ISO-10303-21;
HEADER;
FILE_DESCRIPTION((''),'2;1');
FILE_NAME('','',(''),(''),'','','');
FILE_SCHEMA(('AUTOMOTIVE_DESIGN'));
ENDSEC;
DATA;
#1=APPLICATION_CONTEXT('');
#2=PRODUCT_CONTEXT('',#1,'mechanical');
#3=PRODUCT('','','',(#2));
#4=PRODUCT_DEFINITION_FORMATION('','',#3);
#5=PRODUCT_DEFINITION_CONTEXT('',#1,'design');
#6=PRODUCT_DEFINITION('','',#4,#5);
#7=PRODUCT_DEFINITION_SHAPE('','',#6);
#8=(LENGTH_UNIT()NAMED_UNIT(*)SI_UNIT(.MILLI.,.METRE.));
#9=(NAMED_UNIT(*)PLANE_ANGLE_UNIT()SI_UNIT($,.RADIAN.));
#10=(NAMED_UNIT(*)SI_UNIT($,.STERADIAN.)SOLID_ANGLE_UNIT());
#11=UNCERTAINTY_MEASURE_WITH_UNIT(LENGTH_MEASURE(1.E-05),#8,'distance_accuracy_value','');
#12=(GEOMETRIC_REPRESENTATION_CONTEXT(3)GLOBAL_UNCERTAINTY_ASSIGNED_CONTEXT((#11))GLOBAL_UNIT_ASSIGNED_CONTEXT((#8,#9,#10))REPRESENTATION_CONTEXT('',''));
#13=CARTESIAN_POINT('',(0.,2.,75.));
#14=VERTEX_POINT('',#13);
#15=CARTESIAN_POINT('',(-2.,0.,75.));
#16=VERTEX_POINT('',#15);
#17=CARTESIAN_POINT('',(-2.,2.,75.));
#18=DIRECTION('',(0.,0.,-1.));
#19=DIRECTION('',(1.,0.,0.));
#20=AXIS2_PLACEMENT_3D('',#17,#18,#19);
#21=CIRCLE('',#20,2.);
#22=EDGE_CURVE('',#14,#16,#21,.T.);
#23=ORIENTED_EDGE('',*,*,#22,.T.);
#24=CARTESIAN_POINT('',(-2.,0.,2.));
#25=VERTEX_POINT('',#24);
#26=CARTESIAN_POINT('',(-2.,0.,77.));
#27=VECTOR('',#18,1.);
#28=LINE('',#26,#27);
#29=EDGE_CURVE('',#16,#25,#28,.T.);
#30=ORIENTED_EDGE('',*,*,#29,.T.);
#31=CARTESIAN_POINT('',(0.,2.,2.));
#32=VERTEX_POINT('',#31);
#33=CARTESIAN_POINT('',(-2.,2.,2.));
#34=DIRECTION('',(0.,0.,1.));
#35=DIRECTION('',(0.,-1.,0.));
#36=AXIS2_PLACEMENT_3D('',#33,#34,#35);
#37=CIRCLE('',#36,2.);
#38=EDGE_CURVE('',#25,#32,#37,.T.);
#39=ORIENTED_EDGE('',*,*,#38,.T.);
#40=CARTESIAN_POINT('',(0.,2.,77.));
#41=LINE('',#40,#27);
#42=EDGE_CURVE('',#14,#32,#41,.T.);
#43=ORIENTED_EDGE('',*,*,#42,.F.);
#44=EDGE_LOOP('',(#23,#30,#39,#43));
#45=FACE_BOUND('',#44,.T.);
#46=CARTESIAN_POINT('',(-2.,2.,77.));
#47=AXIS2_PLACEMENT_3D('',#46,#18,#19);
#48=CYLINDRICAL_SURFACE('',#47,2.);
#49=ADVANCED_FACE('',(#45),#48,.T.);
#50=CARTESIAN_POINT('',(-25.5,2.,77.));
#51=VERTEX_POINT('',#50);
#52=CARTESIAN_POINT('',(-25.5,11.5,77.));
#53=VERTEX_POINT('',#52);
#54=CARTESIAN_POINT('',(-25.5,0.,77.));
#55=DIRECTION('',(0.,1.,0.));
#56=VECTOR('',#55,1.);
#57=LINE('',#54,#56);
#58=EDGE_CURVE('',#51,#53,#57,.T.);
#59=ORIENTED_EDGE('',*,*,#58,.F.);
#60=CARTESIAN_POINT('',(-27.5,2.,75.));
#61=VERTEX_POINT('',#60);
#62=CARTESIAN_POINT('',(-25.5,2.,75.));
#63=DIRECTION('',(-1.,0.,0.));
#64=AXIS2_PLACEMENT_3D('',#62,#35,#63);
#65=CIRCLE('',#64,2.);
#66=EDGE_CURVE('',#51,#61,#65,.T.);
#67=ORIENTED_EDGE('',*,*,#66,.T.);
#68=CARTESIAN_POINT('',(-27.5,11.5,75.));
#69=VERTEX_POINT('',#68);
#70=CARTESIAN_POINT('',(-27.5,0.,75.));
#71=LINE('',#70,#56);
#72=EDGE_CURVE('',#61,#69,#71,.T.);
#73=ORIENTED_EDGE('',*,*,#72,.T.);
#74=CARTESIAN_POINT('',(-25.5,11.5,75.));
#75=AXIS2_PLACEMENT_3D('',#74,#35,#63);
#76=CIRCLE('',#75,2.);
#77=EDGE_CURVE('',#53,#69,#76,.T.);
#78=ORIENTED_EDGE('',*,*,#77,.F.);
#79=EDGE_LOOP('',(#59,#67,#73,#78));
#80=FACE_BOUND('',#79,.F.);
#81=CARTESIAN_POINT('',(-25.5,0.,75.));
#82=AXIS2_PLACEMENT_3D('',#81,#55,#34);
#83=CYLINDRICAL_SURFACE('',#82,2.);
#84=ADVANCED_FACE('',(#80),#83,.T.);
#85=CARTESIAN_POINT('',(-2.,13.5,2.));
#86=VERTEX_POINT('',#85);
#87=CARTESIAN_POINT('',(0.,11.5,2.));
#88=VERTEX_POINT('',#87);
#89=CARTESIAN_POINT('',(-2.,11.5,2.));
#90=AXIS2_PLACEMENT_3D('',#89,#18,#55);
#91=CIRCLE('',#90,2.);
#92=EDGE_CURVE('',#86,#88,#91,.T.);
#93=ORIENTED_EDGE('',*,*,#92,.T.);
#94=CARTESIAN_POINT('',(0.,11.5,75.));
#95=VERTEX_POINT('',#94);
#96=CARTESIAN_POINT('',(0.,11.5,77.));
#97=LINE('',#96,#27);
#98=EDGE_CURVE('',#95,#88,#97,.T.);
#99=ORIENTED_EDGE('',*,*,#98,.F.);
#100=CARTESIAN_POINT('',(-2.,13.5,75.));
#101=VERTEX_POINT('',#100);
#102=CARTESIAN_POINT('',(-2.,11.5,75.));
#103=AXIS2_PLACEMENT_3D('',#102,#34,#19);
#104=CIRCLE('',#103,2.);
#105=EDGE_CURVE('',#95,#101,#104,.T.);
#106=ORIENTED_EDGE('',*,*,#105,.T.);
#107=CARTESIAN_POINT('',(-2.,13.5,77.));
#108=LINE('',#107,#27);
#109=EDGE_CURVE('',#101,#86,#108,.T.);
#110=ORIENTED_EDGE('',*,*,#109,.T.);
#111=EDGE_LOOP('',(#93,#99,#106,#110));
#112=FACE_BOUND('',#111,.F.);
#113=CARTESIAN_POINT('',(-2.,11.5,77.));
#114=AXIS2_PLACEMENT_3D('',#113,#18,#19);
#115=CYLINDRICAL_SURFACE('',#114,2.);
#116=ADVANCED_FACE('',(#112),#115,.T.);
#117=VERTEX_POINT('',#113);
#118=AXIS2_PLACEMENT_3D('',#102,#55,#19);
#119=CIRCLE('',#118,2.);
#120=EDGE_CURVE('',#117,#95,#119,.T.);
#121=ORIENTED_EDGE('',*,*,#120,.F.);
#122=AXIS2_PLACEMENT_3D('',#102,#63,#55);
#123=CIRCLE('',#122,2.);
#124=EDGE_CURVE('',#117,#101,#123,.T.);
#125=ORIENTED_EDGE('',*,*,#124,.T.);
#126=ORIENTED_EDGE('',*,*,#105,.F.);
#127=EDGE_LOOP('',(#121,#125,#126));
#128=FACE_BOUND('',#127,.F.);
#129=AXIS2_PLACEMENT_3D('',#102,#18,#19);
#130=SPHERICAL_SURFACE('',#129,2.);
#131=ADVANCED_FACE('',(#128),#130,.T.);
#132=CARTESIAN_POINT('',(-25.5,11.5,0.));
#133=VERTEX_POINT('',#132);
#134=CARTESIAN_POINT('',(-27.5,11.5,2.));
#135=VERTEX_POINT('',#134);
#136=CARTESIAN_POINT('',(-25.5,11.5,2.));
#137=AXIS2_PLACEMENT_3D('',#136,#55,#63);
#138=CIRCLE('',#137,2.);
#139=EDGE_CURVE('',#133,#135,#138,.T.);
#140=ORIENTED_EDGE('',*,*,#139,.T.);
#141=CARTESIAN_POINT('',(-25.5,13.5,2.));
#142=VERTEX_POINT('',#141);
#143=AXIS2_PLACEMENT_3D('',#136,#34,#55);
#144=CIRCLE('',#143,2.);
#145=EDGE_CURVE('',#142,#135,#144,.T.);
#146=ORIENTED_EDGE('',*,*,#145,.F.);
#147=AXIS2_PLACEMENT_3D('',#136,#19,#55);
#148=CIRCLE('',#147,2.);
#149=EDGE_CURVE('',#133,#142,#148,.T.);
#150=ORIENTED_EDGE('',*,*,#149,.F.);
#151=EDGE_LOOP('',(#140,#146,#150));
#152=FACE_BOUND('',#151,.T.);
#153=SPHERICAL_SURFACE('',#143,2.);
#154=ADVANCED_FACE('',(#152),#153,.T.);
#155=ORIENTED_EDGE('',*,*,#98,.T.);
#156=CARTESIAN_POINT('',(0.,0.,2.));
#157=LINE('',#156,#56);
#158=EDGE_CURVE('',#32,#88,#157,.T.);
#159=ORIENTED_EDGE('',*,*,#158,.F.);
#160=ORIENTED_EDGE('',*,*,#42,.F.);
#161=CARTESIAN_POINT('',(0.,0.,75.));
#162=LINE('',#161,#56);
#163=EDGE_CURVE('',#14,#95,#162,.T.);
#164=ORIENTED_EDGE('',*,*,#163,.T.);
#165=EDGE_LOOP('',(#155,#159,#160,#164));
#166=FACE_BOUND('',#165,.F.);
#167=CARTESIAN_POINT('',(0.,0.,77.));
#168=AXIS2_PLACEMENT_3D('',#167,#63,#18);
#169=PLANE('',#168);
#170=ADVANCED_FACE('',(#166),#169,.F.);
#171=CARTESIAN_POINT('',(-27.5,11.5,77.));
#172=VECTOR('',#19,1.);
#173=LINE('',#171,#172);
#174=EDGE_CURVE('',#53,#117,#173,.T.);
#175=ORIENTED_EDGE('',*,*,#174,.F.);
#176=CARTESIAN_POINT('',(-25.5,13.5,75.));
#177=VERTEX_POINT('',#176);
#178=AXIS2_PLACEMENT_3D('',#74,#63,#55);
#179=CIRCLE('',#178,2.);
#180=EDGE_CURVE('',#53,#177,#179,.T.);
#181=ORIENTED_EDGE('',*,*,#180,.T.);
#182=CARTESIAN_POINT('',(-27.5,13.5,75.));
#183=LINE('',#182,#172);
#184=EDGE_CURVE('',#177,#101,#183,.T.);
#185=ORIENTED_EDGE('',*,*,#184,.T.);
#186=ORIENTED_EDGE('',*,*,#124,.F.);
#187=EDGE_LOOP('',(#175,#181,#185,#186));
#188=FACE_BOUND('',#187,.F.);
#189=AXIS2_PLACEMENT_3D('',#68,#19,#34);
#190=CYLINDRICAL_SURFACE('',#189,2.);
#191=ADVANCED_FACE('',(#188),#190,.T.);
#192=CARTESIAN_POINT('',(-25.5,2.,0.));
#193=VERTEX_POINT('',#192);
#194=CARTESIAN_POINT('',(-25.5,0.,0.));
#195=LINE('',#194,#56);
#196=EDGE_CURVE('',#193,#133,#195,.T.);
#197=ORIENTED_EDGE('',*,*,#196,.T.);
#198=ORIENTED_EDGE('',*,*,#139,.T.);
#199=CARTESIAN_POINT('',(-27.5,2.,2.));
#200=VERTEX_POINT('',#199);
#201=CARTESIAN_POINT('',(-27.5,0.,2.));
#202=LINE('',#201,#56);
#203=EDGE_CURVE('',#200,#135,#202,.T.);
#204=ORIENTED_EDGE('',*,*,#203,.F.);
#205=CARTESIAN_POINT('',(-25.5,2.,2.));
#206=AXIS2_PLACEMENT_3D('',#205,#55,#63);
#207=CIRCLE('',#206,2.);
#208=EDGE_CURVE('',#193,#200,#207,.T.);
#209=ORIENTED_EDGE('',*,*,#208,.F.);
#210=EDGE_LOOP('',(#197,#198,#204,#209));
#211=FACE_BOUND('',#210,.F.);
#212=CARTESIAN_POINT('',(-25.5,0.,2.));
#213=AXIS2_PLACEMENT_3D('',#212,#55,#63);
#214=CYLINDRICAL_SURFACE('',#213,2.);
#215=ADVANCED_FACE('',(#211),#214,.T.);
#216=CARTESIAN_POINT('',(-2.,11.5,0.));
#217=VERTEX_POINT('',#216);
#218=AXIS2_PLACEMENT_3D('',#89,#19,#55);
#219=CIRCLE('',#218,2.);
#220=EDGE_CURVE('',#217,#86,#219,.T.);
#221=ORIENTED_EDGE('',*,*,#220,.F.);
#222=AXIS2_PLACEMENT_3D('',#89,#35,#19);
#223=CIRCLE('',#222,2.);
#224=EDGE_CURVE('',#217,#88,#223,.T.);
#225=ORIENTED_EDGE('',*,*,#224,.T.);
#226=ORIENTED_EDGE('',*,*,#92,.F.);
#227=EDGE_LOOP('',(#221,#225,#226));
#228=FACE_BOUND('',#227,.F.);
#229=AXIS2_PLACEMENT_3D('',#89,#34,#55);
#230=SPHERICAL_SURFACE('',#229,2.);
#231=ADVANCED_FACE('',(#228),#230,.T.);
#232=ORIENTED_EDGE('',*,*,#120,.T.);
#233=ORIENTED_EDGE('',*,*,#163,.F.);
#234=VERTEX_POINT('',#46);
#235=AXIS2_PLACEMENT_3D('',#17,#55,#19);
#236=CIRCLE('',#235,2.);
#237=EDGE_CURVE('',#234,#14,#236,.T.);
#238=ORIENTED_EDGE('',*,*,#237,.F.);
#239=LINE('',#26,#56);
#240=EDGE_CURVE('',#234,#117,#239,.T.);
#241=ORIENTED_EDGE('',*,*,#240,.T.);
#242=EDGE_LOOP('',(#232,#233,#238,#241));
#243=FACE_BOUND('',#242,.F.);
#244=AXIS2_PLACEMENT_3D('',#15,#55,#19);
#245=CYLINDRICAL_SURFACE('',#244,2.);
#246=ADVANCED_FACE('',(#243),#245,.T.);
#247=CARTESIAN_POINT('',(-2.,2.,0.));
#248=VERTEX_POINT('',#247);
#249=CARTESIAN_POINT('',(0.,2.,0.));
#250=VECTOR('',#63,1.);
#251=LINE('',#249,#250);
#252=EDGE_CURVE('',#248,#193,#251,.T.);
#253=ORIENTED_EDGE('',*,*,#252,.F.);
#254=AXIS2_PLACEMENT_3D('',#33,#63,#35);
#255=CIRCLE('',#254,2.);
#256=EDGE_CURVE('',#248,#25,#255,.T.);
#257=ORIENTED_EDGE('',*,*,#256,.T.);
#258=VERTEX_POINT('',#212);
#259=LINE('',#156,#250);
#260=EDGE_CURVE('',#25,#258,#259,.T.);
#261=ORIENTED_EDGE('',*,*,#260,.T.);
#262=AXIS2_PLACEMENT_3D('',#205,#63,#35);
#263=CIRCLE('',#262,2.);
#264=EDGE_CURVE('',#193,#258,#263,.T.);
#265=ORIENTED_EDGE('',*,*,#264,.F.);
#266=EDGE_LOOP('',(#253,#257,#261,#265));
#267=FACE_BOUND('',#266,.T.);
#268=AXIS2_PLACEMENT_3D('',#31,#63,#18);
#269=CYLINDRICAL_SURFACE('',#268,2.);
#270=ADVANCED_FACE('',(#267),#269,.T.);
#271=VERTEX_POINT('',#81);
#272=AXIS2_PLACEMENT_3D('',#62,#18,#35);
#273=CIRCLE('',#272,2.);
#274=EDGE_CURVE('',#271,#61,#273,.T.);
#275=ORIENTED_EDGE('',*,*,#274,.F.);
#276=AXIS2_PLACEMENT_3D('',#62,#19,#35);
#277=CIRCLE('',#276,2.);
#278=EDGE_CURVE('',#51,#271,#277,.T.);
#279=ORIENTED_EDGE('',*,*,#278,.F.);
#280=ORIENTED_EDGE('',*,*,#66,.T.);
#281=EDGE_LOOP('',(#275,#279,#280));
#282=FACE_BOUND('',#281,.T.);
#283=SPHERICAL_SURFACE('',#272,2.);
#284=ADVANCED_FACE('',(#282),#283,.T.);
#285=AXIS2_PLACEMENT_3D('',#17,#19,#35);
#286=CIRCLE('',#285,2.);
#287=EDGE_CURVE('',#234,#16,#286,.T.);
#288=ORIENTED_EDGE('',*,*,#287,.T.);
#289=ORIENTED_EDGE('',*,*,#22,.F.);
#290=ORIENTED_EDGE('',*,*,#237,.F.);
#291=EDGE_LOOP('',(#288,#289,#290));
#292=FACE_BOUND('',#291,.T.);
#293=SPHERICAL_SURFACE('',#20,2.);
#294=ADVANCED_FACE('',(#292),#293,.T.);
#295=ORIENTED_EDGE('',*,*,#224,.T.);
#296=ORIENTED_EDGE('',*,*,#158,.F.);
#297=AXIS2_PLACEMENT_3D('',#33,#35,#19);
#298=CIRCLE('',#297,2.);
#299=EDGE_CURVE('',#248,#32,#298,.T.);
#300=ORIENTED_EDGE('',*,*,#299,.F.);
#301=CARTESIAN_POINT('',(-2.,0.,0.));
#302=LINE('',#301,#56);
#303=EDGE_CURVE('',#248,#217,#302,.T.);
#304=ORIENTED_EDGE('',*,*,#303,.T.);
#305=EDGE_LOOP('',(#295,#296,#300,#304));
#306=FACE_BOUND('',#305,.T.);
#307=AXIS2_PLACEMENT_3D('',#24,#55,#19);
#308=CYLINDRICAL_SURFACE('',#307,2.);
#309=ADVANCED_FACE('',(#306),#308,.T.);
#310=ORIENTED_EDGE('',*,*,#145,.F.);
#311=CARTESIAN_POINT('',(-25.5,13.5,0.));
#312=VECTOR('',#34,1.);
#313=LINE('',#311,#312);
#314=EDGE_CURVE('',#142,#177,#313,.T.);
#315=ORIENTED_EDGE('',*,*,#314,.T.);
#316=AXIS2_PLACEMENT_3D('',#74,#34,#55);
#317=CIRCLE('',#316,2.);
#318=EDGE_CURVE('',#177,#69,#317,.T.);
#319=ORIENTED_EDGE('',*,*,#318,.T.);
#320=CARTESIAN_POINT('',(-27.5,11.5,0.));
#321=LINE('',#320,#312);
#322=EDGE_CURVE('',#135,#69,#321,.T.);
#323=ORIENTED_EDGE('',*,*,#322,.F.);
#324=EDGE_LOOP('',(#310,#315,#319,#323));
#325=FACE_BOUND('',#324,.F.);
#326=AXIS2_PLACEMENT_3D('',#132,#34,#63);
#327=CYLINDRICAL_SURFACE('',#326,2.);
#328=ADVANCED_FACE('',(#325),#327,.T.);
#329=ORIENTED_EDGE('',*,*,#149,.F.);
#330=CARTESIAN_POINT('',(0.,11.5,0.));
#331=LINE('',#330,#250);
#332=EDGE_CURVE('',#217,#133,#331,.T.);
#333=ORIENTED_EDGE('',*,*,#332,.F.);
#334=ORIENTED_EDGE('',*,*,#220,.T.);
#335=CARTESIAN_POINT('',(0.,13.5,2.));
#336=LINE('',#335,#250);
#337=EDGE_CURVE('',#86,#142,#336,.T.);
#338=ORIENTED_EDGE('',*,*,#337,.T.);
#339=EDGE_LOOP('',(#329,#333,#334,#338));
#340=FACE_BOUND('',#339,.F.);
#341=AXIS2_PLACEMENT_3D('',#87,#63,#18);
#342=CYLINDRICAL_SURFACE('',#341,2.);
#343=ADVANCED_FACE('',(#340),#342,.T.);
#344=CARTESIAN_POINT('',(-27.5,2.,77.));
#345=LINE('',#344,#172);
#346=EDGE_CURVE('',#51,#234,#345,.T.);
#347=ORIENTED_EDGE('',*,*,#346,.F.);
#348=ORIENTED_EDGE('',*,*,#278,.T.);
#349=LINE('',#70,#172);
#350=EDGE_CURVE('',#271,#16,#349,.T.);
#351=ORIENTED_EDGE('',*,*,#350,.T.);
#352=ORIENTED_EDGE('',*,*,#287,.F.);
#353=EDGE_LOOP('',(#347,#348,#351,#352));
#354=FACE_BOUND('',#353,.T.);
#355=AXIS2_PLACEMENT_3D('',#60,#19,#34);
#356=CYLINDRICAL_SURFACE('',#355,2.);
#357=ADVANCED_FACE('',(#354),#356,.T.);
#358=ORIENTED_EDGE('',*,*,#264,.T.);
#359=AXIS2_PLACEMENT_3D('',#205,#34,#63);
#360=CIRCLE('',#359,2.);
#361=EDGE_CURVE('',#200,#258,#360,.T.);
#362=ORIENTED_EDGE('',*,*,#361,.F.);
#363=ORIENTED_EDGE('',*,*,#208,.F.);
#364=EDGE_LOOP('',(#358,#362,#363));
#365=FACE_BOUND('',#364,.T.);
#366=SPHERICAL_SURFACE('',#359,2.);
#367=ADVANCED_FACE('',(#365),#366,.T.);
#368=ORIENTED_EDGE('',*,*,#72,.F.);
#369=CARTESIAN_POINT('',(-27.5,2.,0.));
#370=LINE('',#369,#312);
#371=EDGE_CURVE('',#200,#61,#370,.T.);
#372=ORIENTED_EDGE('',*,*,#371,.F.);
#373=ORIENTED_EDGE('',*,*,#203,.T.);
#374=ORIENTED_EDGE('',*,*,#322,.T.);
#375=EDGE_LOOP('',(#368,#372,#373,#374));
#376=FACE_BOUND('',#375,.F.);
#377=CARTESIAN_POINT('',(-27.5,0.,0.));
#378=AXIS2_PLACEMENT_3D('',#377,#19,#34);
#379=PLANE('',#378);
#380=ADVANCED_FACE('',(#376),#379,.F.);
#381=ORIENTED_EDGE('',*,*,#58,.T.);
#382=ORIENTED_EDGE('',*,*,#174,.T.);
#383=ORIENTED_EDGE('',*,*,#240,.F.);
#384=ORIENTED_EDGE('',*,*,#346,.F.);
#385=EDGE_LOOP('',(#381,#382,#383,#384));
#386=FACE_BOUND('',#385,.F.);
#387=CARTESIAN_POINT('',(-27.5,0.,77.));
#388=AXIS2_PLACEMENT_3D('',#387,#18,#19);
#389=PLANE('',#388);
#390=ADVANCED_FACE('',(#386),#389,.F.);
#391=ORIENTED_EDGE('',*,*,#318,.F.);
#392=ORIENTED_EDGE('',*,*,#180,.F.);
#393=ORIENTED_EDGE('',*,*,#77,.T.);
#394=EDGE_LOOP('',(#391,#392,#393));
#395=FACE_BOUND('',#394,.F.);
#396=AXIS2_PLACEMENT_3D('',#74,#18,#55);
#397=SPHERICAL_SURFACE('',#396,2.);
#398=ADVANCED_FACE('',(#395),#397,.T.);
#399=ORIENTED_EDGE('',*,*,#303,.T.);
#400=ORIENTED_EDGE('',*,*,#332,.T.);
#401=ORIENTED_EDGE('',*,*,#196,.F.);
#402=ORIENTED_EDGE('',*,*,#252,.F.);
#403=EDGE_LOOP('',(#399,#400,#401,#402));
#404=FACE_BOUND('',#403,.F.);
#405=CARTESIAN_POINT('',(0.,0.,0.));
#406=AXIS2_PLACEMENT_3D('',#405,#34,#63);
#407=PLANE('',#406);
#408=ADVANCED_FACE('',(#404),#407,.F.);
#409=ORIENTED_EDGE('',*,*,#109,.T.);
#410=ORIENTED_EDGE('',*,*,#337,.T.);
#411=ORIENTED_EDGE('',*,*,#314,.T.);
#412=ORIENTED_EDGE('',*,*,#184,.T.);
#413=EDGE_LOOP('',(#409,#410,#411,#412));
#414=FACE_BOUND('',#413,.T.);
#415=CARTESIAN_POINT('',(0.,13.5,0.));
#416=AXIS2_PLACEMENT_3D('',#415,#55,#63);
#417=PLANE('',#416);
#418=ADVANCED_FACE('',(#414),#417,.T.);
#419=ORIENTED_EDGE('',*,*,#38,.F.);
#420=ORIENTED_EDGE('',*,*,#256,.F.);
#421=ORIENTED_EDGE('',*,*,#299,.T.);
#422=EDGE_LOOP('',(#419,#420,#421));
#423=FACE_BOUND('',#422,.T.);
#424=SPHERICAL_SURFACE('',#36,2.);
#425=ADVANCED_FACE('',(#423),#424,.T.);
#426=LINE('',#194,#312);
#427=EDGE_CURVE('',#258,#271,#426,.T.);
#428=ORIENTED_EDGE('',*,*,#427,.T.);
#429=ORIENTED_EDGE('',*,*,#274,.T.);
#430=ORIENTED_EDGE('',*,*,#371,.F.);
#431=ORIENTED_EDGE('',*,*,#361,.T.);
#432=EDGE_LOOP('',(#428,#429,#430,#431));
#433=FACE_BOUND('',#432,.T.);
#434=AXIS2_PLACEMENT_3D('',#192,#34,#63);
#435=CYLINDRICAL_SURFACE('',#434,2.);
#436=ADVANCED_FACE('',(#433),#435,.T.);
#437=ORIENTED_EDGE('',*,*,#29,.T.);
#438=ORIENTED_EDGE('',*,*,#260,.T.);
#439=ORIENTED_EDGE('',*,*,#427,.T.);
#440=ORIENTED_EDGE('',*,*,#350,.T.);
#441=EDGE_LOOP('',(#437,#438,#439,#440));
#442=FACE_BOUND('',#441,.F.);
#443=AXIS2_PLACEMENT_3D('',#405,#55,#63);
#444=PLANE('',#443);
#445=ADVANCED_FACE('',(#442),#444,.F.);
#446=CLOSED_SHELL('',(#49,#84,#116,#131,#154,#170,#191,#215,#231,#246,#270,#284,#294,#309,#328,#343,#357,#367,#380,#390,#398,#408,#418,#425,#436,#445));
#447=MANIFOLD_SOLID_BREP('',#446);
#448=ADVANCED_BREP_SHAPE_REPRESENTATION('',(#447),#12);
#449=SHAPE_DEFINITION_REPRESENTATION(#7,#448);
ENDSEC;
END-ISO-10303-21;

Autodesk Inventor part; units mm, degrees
ref_plane "YZ Plane" through (0, 0, 0) normal (1, 0, 0) x (0, 1, 0)
ref_plane "XZ Plane" through (0, 0, 0) normal (0, 1, 0) x (-1, 0, 0)
ref_plane "XY Plane" through (0, 0, 0) normal (0, 0, 1) x (1, 0, 0)
sketch "Sketch1" plane through (0, 0, 0) normal (0, 1, 0) x (-1, 0, 0)
  line L0 (0, 0) -> (27.5, 0)
  line L1 (27.5, 0) -> (27.5, 77)
  line L2 (27.5, 77) -> (0, 77)
  line L3 (0, 77) -> (0, 0)
  dimension "d0" = 77
  dimension "d1" = 27.5
extrude "Extrusion1" add sketch "Sketch1" along normal blind 13.5
fillet "Fillet1" radius 2 12 edges at (0, 13.5, 38.5) (0, 0, 38.5) (-27.5, 13.5, 38.5) (-27.5, 0, 38.5) (-13.75, 13.5, 0) (-27.5, 6.75, 0) (-13.75, 0, 0) (0, 6.75, 0) (0, 6.75, 77) (-13.75, 0, 77) (-13.75, 13.5, 77) (-27.5, 6.75, 77)
properties part number "battery"
